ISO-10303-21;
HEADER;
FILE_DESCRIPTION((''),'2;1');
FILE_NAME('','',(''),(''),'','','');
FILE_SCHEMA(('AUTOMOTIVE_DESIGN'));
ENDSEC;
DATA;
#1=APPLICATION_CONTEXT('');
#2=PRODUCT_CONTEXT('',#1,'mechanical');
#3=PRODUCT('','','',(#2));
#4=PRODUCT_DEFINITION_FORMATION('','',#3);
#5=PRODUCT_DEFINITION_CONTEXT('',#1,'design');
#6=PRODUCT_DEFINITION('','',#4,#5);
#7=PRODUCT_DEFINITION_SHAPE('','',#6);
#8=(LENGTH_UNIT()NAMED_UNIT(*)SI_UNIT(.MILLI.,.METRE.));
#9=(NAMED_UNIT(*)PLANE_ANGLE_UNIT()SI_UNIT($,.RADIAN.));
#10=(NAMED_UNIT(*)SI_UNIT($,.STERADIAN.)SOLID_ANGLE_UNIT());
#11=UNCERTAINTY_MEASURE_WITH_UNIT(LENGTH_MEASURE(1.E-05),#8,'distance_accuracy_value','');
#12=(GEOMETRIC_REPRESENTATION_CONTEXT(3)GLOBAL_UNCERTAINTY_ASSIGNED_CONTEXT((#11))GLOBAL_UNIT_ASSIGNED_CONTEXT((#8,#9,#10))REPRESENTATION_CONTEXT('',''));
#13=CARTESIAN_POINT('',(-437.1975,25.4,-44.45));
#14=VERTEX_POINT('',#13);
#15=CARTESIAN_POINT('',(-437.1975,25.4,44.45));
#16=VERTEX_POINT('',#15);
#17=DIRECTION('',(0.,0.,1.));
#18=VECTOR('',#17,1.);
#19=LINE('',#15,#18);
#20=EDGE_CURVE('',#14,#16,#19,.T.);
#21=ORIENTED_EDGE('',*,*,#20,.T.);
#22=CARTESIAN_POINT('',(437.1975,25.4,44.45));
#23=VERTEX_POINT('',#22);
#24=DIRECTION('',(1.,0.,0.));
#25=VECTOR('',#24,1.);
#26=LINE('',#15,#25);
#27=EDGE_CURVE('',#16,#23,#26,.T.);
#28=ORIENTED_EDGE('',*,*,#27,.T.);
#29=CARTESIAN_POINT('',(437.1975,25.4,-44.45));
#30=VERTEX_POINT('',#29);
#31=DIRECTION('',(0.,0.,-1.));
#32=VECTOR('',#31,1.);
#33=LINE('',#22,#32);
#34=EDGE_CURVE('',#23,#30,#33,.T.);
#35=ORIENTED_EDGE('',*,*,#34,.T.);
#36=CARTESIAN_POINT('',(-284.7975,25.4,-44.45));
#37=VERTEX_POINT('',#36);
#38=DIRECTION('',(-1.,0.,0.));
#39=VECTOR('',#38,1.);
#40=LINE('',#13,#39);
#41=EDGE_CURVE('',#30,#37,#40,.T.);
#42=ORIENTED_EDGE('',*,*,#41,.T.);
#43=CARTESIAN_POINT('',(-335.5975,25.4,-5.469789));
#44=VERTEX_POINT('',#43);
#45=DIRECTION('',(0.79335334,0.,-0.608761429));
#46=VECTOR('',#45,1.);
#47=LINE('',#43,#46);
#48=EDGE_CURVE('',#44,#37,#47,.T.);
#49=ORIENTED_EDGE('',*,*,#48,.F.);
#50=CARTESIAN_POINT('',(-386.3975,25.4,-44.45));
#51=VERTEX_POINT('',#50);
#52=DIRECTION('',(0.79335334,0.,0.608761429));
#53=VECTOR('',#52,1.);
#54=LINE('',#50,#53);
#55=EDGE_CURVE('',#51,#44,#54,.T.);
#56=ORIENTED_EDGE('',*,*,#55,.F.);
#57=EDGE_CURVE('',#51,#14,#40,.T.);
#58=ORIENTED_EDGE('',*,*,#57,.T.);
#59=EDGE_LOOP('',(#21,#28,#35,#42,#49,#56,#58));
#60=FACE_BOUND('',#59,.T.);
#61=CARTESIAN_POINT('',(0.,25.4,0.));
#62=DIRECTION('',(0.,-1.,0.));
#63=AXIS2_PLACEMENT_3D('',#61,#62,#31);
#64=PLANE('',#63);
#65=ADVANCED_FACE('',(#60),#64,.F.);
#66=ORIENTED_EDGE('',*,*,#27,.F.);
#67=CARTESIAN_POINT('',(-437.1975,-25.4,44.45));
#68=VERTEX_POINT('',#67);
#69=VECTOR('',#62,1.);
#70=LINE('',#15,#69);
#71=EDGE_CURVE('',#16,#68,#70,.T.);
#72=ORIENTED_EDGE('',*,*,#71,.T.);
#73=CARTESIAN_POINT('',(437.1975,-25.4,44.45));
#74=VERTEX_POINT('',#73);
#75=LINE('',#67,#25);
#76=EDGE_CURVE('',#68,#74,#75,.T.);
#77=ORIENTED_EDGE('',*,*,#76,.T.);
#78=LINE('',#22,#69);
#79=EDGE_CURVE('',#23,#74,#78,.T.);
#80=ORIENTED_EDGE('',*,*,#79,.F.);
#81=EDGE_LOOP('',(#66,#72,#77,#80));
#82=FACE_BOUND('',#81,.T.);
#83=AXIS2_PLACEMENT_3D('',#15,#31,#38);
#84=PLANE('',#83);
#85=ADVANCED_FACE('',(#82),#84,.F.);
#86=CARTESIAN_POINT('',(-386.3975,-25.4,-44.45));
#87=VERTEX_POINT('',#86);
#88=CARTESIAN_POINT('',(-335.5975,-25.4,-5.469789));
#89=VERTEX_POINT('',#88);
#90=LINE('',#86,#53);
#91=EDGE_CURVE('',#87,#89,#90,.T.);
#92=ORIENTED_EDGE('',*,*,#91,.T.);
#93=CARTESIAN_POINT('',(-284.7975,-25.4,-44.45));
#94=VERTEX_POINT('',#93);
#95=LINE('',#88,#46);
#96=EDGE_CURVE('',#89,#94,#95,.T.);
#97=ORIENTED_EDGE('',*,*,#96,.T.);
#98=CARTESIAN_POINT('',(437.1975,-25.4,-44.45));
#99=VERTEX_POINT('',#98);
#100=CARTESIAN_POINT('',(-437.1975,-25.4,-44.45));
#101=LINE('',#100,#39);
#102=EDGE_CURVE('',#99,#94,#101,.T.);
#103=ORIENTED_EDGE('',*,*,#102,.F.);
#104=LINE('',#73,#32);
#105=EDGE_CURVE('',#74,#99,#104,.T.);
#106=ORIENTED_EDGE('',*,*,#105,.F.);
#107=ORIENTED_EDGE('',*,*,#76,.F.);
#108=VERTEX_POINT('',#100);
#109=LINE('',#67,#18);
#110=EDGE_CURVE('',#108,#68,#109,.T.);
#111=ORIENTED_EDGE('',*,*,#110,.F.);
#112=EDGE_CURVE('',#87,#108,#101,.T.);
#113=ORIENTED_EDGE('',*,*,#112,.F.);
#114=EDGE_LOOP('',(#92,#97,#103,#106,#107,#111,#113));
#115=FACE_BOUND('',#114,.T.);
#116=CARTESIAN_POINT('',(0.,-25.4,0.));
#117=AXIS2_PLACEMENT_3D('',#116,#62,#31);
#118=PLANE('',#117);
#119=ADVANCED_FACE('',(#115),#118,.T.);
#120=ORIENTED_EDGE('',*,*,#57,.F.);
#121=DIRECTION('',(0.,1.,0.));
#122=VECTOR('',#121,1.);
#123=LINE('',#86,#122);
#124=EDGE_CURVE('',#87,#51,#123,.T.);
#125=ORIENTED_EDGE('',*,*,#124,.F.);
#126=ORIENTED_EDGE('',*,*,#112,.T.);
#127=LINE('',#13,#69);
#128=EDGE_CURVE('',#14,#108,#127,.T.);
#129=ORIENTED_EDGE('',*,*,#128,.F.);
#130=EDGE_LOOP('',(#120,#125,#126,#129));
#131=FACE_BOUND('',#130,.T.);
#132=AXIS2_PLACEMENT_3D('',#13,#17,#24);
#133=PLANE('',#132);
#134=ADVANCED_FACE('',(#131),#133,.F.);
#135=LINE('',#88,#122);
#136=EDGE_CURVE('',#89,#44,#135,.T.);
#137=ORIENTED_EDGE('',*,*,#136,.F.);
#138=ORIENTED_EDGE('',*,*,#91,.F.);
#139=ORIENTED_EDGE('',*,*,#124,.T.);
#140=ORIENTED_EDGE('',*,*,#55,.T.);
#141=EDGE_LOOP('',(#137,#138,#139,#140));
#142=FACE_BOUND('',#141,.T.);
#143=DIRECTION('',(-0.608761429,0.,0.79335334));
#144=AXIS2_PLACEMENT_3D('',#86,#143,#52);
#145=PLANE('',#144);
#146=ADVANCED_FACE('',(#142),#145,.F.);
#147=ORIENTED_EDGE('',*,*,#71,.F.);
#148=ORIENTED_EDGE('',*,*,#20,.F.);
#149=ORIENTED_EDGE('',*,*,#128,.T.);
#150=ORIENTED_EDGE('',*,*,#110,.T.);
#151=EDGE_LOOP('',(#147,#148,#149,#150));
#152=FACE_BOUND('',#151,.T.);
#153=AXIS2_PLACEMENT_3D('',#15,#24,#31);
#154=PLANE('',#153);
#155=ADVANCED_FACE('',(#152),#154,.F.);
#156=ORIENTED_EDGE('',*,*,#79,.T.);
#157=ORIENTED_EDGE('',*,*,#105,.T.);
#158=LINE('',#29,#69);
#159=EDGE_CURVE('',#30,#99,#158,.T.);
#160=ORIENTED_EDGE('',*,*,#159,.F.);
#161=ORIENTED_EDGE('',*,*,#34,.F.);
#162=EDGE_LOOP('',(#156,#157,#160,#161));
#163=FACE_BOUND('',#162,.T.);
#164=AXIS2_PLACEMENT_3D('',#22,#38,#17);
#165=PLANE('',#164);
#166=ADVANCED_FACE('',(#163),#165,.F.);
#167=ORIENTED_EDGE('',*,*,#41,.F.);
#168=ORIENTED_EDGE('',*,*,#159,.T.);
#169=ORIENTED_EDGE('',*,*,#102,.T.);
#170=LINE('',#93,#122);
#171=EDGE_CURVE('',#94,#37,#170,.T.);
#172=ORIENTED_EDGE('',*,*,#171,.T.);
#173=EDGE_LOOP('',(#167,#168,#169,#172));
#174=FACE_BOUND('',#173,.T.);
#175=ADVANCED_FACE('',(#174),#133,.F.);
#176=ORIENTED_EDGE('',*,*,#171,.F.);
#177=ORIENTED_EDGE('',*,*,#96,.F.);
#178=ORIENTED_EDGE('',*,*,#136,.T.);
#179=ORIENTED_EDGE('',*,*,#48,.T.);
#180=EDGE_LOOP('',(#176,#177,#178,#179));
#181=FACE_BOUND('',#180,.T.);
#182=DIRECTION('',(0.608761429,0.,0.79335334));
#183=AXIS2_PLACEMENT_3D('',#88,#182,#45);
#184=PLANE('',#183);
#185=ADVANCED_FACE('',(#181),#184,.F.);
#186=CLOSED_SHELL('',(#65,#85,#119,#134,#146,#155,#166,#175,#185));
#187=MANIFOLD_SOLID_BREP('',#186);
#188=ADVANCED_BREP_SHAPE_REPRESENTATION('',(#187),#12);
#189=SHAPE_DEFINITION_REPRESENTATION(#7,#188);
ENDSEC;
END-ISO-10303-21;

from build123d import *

# Parameters (mm, degrees)
SKETCH1_W           = 874.395
SKETCH1_H           = 88.9
BOSS_EXTRUDE1_DEPTH = 25.4
CUT_EXTRUDE1_DEPTH  = 51.8


with BuildPart() as part:
    # Sketch1 → Boss-Extrude1 (new body, symmetric)
    with BuildSketch(Plane(origin=(0, 0, 0), x_dir=(1, 0, 0), z_dir=(0, 1, 0))):
        Rectangle(SKETCH1_W, SKETCH1_H)
    extrude(amount=BOSS_EXTRUDE1_DEPTH, both=True)

    # Sketch2 → Cut-Extrude1 (cut, through all)
    with BuildSketch(Plane(origin=(0, 25.4, 0), x_dir=(1, 0, 0), z_dir=(0, 1, 0))):
        Polygon((-386.3975, 44.45), (-335.5975, 5.469789011), (-284.7975, 44.45), align=None)
    extrude(amount=-CUT_EXTRUDE1_DEPTH, mode=Mode.SUBTRACT)


solid = part.part
